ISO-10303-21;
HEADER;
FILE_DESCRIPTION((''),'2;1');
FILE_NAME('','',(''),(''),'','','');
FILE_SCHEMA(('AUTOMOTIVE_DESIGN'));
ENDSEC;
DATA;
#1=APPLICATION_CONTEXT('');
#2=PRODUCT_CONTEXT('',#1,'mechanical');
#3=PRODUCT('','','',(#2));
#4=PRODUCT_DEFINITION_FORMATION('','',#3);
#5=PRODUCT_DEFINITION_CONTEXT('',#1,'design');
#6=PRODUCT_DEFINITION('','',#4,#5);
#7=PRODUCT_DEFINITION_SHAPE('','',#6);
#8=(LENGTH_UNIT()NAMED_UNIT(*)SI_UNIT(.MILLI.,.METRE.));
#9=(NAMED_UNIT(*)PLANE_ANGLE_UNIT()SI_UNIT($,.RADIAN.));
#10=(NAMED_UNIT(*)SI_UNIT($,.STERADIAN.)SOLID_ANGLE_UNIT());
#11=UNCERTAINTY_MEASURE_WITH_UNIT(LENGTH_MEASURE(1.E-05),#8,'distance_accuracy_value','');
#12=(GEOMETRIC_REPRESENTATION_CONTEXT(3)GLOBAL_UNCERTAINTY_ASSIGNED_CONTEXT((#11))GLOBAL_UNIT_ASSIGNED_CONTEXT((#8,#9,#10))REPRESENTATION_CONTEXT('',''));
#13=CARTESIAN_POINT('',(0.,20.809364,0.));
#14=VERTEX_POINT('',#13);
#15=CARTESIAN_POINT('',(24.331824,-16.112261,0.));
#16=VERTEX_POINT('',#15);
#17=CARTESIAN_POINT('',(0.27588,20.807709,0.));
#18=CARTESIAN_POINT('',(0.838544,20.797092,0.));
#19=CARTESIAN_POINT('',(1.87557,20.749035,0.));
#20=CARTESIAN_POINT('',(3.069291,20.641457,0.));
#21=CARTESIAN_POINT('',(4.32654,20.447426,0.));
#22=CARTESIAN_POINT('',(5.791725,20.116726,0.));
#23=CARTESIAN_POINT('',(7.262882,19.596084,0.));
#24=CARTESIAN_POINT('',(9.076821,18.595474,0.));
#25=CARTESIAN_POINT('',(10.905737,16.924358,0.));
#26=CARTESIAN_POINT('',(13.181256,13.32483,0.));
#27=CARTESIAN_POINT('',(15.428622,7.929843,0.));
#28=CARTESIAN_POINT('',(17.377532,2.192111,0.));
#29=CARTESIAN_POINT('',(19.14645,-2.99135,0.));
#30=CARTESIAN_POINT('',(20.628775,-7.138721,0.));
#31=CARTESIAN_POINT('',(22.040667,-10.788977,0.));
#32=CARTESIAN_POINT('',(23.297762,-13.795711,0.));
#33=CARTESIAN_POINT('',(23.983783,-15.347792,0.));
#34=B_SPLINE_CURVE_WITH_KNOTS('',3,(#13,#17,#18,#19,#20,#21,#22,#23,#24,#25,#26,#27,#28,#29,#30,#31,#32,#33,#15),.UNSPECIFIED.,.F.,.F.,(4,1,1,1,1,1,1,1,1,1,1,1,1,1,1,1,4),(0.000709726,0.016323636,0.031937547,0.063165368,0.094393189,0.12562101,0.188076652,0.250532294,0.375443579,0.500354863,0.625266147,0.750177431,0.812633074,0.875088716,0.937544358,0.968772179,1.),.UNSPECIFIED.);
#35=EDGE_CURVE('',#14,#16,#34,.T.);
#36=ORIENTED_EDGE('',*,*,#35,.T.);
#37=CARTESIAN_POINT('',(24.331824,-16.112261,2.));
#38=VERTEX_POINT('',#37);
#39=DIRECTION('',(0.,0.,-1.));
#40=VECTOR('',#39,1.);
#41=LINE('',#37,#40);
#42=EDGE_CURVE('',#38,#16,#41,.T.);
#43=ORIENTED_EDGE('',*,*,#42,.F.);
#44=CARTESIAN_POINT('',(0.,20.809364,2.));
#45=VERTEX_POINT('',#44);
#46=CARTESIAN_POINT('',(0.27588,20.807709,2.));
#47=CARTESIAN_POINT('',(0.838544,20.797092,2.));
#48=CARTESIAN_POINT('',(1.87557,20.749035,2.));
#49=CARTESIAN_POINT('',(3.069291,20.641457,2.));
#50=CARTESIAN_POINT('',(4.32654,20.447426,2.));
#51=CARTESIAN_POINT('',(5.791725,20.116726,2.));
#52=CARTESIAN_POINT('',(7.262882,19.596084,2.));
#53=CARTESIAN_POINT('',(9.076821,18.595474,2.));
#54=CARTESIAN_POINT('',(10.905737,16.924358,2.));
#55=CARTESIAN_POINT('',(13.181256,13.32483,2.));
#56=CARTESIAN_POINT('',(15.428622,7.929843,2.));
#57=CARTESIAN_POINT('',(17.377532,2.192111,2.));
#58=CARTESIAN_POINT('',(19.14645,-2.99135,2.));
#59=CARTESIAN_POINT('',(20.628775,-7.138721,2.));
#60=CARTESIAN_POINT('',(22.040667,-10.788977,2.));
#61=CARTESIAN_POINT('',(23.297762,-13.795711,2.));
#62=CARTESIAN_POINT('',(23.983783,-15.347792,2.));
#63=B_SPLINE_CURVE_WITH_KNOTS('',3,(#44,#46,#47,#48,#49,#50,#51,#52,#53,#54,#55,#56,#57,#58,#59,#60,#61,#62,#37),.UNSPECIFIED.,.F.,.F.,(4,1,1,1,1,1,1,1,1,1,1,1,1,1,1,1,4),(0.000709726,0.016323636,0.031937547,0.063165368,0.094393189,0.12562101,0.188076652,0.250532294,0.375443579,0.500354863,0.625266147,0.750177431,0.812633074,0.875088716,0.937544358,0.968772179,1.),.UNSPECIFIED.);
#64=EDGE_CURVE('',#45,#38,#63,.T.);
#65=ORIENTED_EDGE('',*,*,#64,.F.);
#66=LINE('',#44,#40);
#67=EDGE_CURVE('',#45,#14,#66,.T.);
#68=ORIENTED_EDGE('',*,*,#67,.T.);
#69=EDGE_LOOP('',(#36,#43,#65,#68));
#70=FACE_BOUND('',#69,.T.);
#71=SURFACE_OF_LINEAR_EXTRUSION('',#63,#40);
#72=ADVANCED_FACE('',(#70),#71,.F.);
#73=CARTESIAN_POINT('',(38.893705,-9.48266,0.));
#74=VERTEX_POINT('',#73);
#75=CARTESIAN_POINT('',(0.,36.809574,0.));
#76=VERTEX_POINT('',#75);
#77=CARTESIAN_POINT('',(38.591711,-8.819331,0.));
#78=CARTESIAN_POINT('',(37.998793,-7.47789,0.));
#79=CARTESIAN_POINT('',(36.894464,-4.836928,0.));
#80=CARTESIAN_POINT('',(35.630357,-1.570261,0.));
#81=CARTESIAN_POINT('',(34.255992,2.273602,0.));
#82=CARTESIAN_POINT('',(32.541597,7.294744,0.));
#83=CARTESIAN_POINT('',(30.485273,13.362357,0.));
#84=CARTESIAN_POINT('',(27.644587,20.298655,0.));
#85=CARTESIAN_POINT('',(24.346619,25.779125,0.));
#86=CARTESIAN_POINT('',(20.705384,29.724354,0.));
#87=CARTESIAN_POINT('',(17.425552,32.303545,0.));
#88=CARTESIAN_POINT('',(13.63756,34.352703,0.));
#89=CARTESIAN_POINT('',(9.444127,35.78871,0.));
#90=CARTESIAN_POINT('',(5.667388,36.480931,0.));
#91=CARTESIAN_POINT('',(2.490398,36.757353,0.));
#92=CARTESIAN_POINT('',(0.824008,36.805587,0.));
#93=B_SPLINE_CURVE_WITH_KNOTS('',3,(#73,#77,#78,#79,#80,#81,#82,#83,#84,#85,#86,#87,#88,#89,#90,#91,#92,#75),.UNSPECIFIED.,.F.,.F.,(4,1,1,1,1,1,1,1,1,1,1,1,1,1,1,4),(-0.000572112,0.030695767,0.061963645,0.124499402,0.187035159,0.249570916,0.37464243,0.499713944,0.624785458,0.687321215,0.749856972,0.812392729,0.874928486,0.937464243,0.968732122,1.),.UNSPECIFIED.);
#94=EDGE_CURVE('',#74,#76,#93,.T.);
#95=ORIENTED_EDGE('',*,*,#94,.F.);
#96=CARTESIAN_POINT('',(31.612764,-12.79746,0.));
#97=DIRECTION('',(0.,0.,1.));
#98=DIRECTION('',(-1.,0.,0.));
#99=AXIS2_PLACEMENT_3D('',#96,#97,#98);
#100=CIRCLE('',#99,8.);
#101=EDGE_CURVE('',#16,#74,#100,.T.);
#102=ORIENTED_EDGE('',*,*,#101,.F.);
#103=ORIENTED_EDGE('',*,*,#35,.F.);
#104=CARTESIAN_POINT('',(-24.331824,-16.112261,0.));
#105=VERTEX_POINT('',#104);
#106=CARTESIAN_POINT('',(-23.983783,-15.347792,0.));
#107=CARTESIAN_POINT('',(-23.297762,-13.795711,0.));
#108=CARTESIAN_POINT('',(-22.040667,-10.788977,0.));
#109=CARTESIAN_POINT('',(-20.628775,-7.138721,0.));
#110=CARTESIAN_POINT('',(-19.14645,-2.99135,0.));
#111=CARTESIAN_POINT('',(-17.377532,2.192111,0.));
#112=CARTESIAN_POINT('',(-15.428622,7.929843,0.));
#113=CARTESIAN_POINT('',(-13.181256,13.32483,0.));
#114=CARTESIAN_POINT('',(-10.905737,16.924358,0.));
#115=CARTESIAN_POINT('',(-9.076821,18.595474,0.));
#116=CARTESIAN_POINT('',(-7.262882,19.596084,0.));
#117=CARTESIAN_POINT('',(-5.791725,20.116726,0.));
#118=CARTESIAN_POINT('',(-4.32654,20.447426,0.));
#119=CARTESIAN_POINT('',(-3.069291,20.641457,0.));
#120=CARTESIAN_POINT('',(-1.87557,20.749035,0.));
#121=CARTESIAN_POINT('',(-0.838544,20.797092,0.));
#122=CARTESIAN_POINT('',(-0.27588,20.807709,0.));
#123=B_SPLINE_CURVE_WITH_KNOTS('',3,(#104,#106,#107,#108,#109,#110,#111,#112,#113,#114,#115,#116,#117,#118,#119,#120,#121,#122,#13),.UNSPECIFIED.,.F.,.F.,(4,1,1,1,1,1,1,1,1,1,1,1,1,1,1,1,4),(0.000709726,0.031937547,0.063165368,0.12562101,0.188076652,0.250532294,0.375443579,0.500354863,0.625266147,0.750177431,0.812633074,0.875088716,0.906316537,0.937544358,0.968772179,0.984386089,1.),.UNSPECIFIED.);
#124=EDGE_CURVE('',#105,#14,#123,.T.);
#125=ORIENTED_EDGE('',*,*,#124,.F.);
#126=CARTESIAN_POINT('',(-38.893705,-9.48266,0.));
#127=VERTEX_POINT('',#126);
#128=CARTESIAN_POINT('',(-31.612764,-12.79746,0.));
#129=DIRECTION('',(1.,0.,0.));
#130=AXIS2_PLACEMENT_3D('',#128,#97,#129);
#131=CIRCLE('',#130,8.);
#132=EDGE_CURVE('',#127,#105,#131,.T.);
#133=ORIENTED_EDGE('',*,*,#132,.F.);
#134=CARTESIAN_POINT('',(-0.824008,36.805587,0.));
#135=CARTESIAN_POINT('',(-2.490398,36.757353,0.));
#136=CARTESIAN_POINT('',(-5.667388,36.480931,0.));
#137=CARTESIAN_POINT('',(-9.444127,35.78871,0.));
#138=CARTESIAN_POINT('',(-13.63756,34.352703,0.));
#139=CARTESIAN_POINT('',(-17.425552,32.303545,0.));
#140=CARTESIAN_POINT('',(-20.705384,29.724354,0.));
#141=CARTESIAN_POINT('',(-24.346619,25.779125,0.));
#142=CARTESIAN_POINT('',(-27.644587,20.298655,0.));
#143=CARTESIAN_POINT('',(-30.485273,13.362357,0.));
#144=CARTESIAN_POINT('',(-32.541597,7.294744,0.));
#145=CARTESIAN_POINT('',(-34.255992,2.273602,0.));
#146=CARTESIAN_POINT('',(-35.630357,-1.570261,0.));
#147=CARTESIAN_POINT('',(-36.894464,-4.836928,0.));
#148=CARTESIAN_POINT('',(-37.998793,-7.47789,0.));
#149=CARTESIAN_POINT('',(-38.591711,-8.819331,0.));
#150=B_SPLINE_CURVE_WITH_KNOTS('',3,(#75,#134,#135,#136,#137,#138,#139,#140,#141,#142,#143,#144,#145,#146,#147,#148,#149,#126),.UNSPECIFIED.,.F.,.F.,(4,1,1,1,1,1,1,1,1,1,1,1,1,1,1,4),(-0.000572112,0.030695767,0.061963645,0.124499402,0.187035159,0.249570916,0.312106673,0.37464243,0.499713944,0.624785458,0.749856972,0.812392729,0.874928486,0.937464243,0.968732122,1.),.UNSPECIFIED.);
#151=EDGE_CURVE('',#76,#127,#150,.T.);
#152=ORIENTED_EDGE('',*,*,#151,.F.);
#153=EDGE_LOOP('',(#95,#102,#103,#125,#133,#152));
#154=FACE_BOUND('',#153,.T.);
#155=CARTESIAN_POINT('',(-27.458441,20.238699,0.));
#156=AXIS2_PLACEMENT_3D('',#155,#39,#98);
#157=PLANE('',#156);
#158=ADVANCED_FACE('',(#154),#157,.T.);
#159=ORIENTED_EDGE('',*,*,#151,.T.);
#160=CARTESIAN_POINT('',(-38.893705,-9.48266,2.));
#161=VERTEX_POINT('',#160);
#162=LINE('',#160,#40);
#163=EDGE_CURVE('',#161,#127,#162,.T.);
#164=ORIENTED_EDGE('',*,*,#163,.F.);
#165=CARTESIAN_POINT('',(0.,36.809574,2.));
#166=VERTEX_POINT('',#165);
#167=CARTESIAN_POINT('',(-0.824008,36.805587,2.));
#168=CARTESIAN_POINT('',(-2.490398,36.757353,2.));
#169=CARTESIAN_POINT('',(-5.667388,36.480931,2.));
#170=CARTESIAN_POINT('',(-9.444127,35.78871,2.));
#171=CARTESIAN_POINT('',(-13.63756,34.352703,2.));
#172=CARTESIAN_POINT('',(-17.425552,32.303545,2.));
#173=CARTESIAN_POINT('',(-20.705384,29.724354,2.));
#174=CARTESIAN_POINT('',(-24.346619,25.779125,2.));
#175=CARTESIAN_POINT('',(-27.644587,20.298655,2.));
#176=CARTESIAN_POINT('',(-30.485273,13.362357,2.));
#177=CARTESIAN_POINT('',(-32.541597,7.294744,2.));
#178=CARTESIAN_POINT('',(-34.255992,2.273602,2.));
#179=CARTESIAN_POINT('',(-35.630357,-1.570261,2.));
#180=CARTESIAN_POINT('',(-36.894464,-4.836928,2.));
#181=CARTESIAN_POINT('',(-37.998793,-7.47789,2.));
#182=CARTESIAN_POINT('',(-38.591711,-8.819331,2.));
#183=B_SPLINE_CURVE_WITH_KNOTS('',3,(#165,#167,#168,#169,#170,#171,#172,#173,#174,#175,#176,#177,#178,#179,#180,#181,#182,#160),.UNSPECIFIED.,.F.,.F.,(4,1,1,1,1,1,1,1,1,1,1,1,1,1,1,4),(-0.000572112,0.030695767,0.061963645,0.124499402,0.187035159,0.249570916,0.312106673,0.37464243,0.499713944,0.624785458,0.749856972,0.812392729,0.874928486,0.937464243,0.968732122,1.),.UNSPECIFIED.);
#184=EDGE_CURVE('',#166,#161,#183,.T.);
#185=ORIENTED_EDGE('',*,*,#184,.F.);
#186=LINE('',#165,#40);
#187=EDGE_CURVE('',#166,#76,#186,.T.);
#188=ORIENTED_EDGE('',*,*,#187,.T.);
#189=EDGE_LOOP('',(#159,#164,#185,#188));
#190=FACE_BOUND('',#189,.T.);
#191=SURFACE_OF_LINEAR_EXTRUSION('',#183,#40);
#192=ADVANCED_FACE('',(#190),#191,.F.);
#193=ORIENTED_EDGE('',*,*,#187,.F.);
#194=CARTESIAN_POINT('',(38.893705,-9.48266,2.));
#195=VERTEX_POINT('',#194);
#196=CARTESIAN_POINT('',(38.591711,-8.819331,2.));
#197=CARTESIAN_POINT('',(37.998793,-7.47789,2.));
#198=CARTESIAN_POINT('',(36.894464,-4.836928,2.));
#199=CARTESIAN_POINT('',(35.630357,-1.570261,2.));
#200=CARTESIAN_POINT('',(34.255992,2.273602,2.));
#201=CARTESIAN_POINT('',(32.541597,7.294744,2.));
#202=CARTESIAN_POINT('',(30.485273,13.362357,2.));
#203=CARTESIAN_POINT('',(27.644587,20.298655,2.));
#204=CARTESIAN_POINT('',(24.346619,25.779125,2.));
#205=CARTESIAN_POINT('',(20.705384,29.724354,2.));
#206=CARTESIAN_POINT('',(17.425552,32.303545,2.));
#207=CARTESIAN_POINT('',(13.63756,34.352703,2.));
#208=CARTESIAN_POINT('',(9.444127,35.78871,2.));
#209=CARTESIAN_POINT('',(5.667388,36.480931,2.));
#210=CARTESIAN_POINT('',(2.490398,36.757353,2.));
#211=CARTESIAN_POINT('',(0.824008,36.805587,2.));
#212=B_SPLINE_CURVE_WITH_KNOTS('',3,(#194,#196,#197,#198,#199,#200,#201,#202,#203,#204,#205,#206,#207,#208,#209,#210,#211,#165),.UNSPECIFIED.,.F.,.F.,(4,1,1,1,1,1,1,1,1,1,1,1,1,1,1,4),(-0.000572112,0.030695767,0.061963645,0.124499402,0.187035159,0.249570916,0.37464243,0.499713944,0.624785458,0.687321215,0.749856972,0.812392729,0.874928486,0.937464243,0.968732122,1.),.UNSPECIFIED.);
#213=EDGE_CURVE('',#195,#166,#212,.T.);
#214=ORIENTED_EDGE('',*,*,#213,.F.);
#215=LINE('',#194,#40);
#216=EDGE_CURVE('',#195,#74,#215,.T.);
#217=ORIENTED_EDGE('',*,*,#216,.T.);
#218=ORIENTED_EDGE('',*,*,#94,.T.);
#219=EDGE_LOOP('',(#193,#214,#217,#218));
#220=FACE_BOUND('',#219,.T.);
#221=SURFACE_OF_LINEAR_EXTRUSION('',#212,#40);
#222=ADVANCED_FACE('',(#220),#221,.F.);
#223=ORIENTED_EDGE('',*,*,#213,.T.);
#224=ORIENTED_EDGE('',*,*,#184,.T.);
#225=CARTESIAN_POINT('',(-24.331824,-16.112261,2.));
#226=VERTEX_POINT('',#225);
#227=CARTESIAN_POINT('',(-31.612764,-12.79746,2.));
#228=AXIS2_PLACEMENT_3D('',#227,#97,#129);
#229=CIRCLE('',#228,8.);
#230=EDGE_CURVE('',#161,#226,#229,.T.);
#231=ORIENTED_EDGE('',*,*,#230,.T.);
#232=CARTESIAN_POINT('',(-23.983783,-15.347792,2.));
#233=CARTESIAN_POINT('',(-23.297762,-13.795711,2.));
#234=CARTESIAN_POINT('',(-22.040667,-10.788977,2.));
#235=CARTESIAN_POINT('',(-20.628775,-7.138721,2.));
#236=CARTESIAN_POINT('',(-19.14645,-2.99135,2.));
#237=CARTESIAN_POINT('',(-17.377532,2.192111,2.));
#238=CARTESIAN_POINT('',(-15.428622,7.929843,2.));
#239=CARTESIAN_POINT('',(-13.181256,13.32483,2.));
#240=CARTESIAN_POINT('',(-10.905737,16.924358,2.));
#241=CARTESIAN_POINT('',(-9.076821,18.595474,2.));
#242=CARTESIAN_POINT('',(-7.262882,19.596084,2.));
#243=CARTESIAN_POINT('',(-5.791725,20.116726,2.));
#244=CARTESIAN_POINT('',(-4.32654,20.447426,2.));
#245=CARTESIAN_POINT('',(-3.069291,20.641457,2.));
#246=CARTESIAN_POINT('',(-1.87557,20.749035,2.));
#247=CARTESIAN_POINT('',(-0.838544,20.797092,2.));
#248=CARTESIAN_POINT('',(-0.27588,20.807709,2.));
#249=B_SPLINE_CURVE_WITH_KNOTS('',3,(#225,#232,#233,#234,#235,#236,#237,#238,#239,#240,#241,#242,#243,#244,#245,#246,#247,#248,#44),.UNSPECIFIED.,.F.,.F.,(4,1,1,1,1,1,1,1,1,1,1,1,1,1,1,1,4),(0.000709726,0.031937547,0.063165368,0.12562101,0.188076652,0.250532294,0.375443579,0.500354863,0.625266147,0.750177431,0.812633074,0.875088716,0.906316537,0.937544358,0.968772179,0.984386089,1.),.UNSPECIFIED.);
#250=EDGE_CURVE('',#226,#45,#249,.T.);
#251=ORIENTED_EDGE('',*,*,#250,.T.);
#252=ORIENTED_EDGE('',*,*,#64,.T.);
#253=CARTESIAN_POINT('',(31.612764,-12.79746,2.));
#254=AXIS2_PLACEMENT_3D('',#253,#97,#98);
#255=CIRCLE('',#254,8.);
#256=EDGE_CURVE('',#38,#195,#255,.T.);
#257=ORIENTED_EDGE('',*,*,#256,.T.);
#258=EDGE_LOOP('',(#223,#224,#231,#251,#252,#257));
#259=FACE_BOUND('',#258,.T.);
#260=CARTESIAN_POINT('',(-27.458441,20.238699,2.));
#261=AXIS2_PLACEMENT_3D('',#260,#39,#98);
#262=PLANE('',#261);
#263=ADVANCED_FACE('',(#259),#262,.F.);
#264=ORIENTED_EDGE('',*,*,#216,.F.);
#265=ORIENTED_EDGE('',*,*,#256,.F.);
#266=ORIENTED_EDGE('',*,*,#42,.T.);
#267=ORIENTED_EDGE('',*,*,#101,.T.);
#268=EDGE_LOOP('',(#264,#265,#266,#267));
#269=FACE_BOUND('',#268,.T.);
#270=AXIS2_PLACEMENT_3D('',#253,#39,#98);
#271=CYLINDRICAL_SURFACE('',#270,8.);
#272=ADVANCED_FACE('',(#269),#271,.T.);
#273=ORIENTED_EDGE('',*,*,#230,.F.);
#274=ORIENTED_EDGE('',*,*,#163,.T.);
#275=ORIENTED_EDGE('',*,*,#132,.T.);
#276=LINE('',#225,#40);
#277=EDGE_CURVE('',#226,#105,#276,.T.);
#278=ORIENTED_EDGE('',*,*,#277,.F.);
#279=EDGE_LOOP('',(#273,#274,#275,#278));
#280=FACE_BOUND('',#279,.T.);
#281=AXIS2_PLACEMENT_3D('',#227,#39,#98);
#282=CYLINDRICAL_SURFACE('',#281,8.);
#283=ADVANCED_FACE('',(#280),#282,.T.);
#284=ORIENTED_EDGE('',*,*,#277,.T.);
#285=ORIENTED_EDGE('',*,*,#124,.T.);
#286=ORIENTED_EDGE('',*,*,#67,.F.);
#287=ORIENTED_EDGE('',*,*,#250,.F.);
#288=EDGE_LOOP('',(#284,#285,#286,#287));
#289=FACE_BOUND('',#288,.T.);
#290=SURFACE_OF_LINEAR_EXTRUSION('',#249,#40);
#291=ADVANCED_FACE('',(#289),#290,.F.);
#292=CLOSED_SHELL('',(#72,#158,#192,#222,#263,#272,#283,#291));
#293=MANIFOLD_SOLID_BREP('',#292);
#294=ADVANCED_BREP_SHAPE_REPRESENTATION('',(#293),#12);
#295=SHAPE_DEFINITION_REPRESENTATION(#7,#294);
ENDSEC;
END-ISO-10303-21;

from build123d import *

# Parameters (mm, degrees)
RESSALTO_EXTRUS_O1_DEPTH = 2


with BuildPart() as part:
    # Esboço1 → Ressalto-extrusão1 (new body)
    with BuildSketch(Plane.XY):
        with BuildLine():
            ThreePointArc((38.893705006, -9.482659727), (34.927564841, -20.078400956), (24.331823612, -16.112260791))
            add(Edge.make_bspline(
                [(24.331823612, -16.112260791), (23.983783233, -15.347792057), (23.297762145, -13.795711005), (22.040666859, -10.788977079), (20.628775122, -7.138721433), (19.14644952, -2.991350324), (17.377531729, 2.192111257), (15.428621613, 7.929842512), (13.181256101, 13.324830328), (10.905736924, 16.924357855), (9.076821096, 18.595474149), (7.262882174, 19.596084251), (5.791725077, 20.116726452), (4.32654031, 20.447425561), (3.069290893, 20.641456593), (1.875570082, 20.749035258), (0.838543608, 20.797092045), (0.2758795, 20.807709322), (0, 20.809363979)],
                knots=[0.000709726, 0.000709726, 0.000709726, 0.000709726, 0.031937547, 0.063165368, 0.12562101, 0.188076652, 0.250532294, 0.375443579, 0.500354863, 0.625266147, 0.750177431, 0.812633074, 0.875088716, 0.906316537, 0.937544358, 0.968772179, 0.984386089, 1, 1, 1, 1], degree=3))
            add(Edge.make_bspline(
                [(0, 20.809363979), (-0.2758795, 20.807709322), (-0.838543608, 20.797092045), (-1.875570082, 20.749035258), (-3.069290893, 20.641456593), (-4.32654031, 20.447425561), (-5.791725077, 20.116726452), (-7.262882174, 19.596084251), (-9.076821096, 18.595474149), (-10.905736924, 16.924357855), (-13.181256101, 13.324830328), (-15.428621613, 7.929842512), (-17.377531729, 2.192111257), (-19.14644952, -2.991350324), (-20.628775122, -7.138721433), (-22.040666859, -10.788977079), (-23.297762145, -13.795711005), (-23.983783233, -15.347792057), (-24.331823612, -16.112260791)],
                knots=[0.000709726, 0.000709726, 0.000709726, 0.000709726, 0.016323636, 0.031937547, 0.063165368, 0.094393189, 0.12562101, 0.188076652, 0.250532294, 0.375443579, 0.500354863, 0.625266147, 0.750177431, 0.812633074, 0.875088716, 0.937544358, 0.968772179, 1, 1, 1, 1], degree=3))
            ThreePointArc((-24.331823612, -16.112260791), (-34.927564841, -20.078400956), (-38.893705006, -9.482659727))
            add(Edge.make_bspline(
                [(0, 36.80957368), (-0.824008136, 36.805586773), (-2.490397594, 36.757352704), (-5.667387691, 36.480930952), (-9.444126672, 35.788709944), (-13.637559694, 34.352703321), (-17.425551683, 32.303545323), (-20.705384268, 29.724354472), (-24.34661864, 25.779124547), (-27.644586785, 20.298655172), (-30.485272915, 13.362356543), (-32.541596925, 7.294744093), (-34.255992413, 2.27360154), (-35.630357038, -1.570261297), (-36.894463686, -4.836928388), (-37.998793205, -7.477889954), (-38.591710557, -8.81933062), (-38.893705006, -9.482659727)],
                knots=[-0.000572112, -0.000572112, -0.000572112, -0.000572112, 0.030695767, 0.061963645, 0.124499402, 0.187035159, 0.249570916, 0.312106673, 0.37464243, 0.499713944, 0.624785458, 0.749856972, 0.812392729, 0.874928486, 0.937464243, 0.968732122, 1, 1, 1, 1], degree=3))
            add(Edge.make_bspline(
                [(38.893705006, -9.482659727), (38.591710557, -8.81933062), (37.998793205, -7.477889954), (36.894463686, -4.836928388), (35.630357038, -1.570261297), (34.255992413, 2.27360154), (32.541596925, 7.294744093), (30.485272915, 13.362356543), (27.644586785, 20.298655172), (24.34661864, 25.779124547), (20.705384268, 29.724354472), (17.425551683, 32.303545323), (13.637559694, 34.352703321), (9.444126672, 35.788709944), (5.667387691, 36.480930952), (2.490397594, 36.757352704), (0.824008136, 36.805586773), (0, 36.80957368)],
                knots=[-0.000572112, -0.000572112, -0.000572112, -0.000572112, 0.030695767, 0.061963645, 0.124499402, 0.187035159, 0.249570916, 0.37464243, 0.499713944, 0.624785458, 0.687321215, 0.749856972, 0.812392729, 0.874928486, 0.937464243, 0.968732122, 1, 1, 1, 1], degree=3))
        make_face()
    extrude(amount=RESSALTO_EXTRUS_O1_DEPTH)


solid = part.part
